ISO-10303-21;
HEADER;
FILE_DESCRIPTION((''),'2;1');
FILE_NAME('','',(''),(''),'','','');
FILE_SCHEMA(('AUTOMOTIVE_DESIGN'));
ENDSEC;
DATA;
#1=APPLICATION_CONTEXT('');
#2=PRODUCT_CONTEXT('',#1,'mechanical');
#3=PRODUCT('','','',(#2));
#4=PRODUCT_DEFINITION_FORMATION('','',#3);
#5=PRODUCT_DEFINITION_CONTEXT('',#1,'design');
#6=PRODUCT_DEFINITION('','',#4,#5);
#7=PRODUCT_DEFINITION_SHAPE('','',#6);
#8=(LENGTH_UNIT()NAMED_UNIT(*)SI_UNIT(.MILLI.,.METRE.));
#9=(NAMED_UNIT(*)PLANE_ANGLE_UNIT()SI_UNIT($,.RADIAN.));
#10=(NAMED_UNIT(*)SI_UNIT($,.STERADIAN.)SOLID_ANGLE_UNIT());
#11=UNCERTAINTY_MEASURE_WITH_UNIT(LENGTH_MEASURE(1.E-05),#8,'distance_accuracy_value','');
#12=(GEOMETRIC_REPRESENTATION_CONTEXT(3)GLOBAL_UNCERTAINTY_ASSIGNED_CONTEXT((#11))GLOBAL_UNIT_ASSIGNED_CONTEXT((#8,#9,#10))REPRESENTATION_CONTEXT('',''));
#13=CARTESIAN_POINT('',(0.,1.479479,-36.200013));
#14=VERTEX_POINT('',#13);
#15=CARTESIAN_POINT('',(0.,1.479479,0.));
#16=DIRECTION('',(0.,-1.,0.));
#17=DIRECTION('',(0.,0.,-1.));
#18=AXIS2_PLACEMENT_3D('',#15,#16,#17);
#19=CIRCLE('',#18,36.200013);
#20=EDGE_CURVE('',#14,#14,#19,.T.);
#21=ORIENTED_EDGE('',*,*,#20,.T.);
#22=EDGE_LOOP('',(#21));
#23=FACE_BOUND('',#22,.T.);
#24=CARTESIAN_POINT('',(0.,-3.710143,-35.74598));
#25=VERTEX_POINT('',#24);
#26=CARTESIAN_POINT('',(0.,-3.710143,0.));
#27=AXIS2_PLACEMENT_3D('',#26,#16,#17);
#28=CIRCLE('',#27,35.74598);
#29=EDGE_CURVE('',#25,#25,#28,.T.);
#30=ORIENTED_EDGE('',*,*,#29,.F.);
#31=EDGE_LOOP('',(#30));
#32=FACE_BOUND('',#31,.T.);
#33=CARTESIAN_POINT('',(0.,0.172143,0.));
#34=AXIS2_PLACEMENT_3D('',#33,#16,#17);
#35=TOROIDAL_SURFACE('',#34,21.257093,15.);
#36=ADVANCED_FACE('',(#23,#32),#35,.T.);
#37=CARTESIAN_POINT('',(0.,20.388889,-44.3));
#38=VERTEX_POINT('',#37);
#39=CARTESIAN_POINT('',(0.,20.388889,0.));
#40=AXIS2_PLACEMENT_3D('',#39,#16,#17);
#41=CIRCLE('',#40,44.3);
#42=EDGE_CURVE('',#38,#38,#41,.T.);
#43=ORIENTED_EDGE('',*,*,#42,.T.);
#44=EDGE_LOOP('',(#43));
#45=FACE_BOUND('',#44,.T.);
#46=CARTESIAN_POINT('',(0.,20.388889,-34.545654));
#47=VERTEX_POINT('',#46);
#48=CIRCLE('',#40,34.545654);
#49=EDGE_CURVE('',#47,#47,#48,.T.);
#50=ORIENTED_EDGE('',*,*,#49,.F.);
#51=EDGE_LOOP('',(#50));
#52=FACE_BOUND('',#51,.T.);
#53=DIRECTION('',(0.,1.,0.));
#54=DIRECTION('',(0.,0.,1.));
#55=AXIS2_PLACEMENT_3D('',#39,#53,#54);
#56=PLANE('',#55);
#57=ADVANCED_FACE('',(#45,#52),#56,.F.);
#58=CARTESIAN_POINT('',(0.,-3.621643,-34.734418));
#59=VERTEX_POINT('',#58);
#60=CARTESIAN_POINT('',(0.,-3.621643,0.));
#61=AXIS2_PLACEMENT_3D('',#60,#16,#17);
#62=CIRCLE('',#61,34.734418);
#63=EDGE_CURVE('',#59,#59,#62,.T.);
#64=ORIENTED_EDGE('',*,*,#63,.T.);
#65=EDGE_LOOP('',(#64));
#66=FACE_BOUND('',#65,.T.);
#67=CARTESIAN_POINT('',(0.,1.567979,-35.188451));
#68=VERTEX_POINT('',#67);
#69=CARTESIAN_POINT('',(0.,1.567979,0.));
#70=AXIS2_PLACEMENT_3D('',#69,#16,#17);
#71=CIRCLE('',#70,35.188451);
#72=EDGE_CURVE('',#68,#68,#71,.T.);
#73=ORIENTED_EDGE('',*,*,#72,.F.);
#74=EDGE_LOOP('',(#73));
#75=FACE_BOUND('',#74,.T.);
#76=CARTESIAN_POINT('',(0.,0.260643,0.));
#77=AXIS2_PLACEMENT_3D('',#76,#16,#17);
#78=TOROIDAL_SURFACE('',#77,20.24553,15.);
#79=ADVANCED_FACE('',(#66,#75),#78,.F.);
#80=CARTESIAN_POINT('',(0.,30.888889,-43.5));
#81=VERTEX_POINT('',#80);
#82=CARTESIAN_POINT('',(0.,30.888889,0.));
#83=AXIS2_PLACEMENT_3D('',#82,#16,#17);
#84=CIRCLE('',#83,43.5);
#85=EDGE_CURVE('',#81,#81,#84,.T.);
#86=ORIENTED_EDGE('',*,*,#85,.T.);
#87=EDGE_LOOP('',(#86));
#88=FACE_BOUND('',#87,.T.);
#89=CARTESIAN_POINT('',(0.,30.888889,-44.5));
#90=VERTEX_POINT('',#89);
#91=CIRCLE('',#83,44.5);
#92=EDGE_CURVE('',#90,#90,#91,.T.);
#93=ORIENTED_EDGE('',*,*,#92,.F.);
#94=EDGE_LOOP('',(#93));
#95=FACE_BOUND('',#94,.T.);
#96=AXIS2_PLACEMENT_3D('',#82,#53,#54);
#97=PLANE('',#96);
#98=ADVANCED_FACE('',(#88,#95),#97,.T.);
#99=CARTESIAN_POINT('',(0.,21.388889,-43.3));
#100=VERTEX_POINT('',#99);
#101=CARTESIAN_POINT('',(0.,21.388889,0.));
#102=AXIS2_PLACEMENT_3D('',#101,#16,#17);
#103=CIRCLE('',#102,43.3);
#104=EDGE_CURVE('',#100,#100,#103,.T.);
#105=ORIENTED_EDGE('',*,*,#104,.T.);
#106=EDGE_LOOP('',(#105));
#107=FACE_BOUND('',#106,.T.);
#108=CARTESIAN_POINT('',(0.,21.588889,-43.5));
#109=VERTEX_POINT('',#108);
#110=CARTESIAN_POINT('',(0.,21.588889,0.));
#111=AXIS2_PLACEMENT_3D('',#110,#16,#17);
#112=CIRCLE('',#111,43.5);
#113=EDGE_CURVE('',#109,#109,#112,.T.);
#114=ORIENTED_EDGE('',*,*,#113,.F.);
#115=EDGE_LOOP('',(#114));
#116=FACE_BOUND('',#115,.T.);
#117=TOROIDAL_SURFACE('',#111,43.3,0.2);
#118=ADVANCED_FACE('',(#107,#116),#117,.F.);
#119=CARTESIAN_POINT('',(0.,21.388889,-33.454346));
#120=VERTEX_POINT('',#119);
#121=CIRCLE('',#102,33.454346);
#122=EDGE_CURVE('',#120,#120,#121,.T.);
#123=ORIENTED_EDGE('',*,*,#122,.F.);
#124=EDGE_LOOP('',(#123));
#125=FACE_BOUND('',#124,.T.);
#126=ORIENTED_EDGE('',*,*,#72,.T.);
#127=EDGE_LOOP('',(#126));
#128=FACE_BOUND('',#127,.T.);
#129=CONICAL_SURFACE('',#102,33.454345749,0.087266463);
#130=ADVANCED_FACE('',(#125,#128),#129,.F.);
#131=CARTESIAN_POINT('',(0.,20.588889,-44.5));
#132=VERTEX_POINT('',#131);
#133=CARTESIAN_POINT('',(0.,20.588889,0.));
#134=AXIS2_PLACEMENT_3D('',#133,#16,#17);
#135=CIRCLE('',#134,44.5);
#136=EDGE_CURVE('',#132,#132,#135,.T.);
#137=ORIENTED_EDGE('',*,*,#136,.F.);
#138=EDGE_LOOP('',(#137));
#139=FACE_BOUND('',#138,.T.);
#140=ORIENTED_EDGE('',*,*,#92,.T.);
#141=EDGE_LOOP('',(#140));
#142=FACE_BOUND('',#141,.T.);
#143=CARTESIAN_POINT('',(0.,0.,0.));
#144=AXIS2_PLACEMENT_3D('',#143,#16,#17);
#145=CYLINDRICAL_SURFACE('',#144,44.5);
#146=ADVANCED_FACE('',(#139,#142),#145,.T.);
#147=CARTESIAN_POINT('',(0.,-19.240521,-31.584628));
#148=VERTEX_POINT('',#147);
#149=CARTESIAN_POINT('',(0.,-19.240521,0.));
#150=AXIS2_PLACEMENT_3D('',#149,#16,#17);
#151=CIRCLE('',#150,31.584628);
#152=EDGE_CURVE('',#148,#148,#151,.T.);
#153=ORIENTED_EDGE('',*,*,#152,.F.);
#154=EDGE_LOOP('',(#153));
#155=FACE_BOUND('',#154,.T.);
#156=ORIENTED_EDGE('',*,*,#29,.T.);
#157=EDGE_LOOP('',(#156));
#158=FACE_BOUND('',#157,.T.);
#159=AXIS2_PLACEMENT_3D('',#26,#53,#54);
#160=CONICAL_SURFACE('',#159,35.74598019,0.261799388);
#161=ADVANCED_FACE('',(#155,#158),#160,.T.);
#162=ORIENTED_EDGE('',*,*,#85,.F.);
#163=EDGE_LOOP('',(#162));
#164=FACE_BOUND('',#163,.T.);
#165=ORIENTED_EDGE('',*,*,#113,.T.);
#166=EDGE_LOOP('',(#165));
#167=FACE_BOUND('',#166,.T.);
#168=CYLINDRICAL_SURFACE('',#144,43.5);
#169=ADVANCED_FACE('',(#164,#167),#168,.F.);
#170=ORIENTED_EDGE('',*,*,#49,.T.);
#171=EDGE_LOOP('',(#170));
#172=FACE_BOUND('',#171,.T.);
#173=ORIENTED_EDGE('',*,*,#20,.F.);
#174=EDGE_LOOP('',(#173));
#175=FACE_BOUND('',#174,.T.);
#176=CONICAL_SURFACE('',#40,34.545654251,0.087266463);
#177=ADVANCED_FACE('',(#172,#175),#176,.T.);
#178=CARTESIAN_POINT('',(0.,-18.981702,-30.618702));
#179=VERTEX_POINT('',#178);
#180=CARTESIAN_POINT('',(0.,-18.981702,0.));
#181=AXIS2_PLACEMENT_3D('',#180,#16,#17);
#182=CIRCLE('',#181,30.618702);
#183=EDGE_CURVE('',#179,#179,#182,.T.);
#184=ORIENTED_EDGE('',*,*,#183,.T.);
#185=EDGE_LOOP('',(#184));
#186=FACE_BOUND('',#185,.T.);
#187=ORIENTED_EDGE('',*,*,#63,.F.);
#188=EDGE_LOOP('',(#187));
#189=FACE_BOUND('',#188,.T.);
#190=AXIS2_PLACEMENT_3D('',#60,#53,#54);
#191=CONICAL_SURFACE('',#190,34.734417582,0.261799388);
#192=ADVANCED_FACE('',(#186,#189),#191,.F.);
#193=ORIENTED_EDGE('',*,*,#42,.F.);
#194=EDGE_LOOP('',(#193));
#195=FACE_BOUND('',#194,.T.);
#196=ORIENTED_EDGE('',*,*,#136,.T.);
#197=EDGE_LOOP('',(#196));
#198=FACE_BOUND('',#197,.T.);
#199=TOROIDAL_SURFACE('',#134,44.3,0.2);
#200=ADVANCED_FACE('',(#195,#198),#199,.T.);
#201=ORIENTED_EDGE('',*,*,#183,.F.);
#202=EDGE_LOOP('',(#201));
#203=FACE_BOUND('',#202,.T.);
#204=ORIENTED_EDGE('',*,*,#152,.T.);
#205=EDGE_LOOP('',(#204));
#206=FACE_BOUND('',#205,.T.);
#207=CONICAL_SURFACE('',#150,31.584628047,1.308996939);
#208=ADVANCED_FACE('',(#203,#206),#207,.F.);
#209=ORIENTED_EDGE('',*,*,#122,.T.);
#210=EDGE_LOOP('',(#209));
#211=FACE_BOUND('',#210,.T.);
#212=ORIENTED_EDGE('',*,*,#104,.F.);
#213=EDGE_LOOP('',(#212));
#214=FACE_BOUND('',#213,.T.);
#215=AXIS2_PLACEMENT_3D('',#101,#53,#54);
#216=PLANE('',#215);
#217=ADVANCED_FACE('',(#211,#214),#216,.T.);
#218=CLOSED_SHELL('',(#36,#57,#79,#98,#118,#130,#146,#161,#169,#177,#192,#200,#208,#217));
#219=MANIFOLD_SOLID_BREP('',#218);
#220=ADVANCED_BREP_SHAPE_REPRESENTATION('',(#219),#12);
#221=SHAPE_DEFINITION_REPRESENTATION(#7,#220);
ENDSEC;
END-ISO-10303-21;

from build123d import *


with BuildPart() as part:
    # Çizim1 → Döndür1 (revolve)
    with BuildSketch(Plane.XY, mode=Mode.PRIVATE) as d_nd_r1_sk:
        with BuildLine():
            Line((-44.5, 30.888888889), (-44.5, 20.588888889))
            ThreePointArc((-44.5, 20.588888889), (-44.441421356, 20.447467533), (-44.3, 20.388888889))
            Line((-44.3, 20.388888889), (-34.545654251, 20.388888889))
            Line((-34.545654251, 20.388888889), (-36.200013267, 1.479478808))
            ThreePointArc((-36.200013267, 1.479478808), (-36.200013267, -1.135193474), (-35.74598019, -3.710143009))
            Line((-35.74598019, -3.710143009), (-31.584628047, -19.240520634))
            Line((-31.584628047, -19.240520634), (-30.618702221, -18.981701589))
            Line((-30.618702221, -18.981701589), (-34.734417582, -3.621642749))
            ThreePointArc((-34.734417582, -3.621642749), (-35.188450659, -1.046693214), (-35.188450659, 1.567979069))
            Line((-35.188450659, 1.567979069), (-33.454345749, 21.388888889))
            Line((-33.454345749, 21.388888889), (-43.3, 21.388888889))
            ThreePointArc((-43.3, 21.388888889), (-43.441421356, 21.447467533), (-43.5, 21.588888889))
            Line((-43.5, 21.588888889), (-43.5, 30.888888889))
            Line((-43.5, 30.888888889), (-44.5, 30.888888889))
        make_face()
    revolve(d_nd_r1_sk.sketch.rotate(Axis((0, 0, 0), (0, 1, 0)), 270), axis=Axis((0, 0, 0), (0, 1, 0)))


solid = part.part
